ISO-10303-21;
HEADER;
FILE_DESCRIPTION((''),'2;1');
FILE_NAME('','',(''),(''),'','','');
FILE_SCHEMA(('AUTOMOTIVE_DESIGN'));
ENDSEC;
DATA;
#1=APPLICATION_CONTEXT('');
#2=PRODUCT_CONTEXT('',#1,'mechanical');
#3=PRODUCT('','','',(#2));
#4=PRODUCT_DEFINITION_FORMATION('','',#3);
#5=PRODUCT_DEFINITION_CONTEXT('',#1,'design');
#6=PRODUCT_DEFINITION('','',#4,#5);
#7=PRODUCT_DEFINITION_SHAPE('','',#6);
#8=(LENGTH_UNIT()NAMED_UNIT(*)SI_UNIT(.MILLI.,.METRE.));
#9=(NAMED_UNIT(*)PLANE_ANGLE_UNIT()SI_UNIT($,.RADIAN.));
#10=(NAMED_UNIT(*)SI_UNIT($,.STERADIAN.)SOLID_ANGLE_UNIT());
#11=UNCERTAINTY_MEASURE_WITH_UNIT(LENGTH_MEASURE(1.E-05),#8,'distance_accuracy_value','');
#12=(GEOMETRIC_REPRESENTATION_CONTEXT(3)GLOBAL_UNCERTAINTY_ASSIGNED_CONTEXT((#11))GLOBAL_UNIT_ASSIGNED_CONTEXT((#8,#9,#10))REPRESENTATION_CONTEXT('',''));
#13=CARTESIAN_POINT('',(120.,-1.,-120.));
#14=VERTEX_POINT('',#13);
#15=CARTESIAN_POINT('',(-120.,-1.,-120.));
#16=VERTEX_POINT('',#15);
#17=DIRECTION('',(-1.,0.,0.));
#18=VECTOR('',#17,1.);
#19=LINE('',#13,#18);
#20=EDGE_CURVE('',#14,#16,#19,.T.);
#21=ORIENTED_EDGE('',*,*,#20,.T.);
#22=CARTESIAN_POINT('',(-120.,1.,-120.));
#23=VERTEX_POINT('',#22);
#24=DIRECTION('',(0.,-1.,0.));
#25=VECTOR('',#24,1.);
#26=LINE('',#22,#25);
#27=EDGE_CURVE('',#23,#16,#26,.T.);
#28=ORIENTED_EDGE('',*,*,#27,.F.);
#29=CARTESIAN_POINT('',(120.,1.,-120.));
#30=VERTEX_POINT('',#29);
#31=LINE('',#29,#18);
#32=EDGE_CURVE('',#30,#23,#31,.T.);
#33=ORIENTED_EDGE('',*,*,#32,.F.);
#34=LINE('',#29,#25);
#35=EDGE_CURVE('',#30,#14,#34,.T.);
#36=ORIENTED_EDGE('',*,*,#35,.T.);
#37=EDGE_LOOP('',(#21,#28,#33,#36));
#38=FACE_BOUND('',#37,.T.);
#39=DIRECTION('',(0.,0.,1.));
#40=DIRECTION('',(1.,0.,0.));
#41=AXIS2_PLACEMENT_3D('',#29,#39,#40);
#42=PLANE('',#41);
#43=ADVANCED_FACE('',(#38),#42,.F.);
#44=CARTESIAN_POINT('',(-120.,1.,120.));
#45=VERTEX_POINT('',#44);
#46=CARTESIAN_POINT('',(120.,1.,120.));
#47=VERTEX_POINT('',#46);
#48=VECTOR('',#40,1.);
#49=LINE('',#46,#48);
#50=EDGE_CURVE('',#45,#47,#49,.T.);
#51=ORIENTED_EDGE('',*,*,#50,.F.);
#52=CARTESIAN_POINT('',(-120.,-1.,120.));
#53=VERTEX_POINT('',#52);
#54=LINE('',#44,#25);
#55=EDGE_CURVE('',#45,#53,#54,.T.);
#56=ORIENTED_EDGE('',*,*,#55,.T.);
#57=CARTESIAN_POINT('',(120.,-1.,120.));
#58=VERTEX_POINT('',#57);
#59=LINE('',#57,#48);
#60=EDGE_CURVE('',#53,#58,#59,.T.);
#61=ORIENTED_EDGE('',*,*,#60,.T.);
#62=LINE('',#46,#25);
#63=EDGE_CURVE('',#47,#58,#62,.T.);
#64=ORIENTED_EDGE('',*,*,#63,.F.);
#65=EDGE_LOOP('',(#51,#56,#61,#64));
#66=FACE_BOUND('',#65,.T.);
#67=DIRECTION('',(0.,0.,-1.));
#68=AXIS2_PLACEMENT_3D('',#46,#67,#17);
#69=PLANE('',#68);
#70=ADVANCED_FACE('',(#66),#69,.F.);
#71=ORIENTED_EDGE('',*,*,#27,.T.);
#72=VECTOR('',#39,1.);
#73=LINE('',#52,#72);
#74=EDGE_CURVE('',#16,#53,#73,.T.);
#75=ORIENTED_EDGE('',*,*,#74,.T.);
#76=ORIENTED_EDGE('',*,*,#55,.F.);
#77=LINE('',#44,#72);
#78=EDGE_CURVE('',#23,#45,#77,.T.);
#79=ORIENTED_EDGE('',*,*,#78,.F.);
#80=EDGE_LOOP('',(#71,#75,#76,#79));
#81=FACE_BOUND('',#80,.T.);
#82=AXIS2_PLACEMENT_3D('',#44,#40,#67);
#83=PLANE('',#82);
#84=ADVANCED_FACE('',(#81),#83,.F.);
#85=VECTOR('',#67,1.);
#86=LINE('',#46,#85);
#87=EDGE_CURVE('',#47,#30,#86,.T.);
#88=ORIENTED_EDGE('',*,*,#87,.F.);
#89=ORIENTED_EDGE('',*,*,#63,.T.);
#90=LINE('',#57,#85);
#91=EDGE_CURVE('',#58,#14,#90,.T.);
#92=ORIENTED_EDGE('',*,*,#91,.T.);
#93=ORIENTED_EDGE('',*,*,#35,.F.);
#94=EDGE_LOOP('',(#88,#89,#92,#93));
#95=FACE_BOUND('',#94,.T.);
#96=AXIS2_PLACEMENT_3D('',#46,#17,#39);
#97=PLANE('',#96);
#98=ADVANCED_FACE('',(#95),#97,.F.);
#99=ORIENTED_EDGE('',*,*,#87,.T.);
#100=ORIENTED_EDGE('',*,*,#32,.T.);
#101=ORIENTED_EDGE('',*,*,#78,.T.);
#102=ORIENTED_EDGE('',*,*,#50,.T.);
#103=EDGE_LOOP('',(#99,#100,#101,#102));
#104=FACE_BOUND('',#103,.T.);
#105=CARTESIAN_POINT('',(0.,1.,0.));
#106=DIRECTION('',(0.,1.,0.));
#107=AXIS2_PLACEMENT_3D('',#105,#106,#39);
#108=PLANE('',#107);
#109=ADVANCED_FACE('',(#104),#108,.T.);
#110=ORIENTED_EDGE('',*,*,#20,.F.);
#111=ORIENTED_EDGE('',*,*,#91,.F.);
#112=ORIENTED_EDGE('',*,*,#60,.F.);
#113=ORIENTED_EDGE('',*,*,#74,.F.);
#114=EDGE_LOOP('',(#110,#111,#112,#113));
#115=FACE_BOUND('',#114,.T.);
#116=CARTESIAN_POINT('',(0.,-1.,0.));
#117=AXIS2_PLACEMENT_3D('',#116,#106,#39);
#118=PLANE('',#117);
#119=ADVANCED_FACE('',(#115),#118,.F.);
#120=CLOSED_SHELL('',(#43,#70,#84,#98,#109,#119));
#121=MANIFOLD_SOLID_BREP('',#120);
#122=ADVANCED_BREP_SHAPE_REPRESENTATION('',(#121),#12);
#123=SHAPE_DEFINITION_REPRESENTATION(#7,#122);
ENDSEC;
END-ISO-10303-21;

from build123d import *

# Parameters (mm, degrees)
SKETCH1_W           = 240
SKETCH1_H           = 240
BOSS_EXTRUDE1_DEPTH = 1


with BuildPart() as part:
    # Sketch1 → Boss-Extrude1 (new, symmetric)
    with BuildSketch(Plane(origin=(0, 0, 0), x_dir=(1, 0, 0), z_dir=(0, 1, 0))):
        Rectangle(SKETCH1_W, SKETCH1_H)
    extrude(amount=BOSS_EXTRUDE1_DEPTH, both=True)


solid = part.part
